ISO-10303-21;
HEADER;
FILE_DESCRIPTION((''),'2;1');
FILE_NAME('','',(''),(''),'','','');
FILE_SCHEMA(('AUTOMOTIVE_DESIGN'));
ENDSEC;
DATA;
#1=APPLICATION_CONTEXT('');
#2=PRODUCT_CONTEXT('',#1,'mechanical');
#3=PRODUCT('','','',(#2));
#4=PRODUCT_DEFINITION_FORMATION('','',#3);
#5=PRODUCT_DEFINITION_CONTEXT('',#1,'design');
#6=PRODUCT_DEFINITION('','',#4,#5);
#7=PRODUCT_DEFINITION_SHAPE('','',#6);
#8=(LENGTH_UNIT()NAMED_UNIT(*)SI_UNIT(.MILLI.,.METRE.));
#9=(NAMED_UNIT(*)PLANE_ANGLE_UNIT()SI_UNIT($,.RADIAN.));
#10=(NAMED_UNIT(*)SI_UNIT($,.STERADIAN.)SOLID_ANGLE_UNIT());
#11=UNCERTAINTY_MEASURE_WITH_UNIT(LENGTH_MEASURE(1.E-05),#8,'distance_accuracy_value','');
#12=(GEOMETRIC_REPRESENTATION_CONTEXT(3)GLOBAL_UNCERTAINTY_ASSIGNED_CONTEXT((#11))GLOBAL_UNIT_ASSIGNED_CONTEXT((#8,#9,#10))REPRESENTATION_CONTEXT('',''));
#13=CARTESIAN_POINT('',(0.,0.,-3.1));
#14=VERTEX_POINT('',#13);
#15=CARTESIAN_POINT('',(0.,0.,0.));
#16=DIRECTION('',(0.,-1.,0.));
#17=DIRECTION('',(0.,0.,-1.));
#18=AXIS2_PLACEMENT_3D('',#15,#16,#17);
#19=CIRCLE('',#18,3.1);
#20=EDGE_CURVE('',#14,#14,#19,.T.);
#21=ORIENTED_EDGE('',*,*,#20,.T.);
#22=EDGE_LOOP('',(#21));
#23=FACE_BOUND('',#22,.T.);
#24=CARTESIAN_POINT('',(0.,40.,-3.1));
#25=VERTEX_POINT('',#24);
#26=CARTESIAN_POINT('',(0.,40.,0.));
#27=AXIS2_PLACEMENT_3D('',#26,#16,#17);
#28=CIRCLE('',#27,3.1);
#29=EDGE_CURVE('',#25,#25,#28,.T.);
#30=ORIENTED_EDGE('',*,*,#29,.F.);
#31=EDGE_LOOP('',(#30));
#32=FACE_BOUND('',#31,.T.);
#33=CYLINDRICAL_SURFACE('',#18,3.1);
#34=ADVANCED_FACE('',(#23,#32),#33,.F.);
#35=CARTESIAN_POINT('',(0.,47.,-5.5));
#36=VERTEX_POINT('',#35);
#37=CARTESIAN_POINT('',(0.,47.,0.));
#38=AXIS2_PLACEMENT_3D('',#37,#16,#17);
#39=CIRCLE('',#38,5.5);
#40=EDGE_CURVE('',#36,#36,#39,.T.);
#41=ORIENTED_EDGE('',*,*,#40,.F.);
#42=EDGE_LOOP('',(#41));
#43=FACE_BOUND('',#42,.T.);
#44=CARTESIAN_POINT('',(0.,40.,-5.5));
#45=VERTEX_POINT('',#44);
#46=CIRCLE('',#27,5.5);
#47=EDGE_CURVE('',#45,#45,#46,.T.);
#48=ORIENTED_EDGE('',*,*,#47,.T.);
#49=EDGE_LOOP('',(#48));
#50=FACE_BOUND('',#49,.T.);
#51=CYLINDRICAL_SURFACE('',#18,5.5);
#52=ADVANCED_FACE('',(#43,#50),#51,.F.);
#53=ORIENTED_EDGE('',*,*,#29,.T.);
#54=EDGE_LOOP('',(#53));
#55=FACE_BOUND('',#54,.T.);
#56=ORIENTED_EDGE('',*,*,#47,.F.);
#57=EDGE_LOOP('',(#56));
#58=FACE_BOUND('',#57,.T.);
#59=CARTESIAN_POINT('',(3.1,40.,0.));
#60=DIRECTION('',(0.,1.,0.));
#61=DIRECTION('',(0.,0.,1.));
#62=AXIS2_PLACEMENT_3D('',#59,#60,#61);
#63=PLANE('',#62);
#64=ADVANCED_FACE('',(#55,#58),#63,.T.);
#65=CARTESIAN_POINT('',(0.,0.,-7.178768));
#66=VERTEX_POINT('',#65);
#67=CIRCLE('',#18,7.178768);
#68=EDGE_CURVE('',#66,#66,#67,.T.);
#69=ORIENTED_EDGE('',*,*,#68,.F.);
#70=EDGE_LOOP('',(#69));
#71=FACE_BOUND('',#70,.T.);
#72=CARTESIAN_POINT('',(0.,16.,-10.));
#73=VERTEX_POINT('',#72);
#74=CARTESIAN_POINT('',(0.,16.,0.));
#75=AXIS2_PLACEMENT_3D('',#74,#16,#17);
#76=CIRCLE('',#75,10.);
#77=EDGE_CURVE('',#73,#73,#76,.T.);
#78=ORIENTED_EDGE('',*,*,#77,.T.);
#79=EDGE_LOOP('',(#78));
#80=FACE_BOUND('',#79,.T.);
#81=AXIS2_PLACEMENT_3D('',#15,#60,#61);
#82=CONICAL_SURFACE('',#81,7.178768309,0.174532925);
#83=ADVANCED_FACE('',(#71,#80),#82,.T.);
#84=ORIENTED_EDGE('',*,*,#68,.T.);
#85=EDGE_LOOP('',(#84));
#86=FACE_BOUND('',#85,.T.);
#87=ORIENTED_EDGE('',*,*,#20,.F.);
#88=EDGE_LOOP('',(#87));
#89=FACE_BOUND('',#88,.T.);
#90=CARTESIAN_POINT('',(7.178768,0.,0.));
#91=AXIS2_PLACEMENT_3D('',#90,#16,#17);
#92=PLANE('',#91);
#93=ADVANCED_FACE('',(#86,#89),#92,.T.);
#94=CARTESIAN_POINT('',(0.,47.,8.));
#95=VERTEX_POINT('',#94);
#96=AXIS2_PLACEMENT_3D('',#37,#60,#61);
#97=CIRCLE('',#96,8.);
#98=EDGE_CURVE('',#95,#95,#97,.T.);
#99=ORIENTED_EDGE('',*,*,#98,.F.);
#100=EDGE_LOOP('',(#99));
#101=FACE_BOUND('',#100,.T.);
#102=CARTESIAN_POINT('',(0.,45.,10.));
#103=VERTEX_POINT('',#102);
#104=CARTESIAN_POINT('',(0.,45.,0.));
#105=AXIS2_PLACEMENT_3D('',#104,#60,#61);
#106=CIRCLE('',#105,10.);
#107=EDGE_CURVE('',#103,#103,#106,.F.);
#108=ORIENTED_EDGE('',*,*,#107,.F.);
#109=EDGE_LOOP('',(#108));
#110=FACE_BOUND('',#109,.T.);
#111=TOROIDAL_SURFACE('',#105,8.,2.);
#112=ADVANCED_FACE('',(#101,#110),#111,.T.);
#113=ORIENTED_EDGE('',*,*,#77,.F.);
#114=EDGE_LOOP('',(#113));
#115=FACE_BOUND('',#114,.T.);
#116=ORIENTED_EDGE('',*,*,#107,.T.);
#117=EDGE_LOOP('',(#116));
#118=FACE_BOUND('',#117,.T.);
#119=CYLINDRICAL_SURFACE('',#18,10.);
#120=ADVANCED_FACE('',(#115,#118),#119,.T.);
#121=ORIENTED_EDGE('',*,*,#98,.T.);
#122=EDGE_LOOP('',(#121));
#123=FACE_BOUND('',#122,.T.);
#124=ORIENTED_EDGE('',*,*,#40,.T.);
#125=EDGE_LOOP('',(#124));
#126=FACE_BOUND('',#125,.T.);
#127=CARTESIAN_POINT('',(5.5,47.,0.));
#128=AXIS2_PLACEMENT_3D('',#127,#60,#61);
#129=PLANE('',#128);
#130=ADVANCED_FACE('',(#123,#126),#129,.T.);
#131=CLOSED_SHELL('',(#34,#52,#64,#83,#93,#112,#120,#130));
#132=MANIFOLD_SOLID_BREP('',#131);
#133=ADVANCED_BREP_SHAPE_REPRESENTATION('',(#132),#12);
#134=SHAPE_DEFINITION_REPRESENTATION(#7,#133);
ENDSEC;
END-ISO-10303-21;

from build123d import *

# Parameters (mm, degrees)
CONG_1_R = 2


with BuildPart() as part:
    # Esquisse1 → Révolution1 (revolve)
    with BuildSketch(Plane.XY, mode=Mode.PRIVATE) as r_volution1_sk:
        Polygon((3.1, 0), (3.1, 40), (5.5, 40), (5.5, 47), (10, 47), (10, 16), (7.178768309, 0), align=None)
    revolve(r_volution1_sk.sketch.rotate(Axis((0, 0, 0), (0, 1, 0)), 90), axis=Axis((0, 0, 0), (0, 1, 0)))

    # Congé1
    cong_1_edges = [part.edges().sort_by_distance(p)[0] for p in [
        (0, 47, 10),
    ]]
    fillet(cong_1_edges, radius=CONG_1_R)


solid = part.part
